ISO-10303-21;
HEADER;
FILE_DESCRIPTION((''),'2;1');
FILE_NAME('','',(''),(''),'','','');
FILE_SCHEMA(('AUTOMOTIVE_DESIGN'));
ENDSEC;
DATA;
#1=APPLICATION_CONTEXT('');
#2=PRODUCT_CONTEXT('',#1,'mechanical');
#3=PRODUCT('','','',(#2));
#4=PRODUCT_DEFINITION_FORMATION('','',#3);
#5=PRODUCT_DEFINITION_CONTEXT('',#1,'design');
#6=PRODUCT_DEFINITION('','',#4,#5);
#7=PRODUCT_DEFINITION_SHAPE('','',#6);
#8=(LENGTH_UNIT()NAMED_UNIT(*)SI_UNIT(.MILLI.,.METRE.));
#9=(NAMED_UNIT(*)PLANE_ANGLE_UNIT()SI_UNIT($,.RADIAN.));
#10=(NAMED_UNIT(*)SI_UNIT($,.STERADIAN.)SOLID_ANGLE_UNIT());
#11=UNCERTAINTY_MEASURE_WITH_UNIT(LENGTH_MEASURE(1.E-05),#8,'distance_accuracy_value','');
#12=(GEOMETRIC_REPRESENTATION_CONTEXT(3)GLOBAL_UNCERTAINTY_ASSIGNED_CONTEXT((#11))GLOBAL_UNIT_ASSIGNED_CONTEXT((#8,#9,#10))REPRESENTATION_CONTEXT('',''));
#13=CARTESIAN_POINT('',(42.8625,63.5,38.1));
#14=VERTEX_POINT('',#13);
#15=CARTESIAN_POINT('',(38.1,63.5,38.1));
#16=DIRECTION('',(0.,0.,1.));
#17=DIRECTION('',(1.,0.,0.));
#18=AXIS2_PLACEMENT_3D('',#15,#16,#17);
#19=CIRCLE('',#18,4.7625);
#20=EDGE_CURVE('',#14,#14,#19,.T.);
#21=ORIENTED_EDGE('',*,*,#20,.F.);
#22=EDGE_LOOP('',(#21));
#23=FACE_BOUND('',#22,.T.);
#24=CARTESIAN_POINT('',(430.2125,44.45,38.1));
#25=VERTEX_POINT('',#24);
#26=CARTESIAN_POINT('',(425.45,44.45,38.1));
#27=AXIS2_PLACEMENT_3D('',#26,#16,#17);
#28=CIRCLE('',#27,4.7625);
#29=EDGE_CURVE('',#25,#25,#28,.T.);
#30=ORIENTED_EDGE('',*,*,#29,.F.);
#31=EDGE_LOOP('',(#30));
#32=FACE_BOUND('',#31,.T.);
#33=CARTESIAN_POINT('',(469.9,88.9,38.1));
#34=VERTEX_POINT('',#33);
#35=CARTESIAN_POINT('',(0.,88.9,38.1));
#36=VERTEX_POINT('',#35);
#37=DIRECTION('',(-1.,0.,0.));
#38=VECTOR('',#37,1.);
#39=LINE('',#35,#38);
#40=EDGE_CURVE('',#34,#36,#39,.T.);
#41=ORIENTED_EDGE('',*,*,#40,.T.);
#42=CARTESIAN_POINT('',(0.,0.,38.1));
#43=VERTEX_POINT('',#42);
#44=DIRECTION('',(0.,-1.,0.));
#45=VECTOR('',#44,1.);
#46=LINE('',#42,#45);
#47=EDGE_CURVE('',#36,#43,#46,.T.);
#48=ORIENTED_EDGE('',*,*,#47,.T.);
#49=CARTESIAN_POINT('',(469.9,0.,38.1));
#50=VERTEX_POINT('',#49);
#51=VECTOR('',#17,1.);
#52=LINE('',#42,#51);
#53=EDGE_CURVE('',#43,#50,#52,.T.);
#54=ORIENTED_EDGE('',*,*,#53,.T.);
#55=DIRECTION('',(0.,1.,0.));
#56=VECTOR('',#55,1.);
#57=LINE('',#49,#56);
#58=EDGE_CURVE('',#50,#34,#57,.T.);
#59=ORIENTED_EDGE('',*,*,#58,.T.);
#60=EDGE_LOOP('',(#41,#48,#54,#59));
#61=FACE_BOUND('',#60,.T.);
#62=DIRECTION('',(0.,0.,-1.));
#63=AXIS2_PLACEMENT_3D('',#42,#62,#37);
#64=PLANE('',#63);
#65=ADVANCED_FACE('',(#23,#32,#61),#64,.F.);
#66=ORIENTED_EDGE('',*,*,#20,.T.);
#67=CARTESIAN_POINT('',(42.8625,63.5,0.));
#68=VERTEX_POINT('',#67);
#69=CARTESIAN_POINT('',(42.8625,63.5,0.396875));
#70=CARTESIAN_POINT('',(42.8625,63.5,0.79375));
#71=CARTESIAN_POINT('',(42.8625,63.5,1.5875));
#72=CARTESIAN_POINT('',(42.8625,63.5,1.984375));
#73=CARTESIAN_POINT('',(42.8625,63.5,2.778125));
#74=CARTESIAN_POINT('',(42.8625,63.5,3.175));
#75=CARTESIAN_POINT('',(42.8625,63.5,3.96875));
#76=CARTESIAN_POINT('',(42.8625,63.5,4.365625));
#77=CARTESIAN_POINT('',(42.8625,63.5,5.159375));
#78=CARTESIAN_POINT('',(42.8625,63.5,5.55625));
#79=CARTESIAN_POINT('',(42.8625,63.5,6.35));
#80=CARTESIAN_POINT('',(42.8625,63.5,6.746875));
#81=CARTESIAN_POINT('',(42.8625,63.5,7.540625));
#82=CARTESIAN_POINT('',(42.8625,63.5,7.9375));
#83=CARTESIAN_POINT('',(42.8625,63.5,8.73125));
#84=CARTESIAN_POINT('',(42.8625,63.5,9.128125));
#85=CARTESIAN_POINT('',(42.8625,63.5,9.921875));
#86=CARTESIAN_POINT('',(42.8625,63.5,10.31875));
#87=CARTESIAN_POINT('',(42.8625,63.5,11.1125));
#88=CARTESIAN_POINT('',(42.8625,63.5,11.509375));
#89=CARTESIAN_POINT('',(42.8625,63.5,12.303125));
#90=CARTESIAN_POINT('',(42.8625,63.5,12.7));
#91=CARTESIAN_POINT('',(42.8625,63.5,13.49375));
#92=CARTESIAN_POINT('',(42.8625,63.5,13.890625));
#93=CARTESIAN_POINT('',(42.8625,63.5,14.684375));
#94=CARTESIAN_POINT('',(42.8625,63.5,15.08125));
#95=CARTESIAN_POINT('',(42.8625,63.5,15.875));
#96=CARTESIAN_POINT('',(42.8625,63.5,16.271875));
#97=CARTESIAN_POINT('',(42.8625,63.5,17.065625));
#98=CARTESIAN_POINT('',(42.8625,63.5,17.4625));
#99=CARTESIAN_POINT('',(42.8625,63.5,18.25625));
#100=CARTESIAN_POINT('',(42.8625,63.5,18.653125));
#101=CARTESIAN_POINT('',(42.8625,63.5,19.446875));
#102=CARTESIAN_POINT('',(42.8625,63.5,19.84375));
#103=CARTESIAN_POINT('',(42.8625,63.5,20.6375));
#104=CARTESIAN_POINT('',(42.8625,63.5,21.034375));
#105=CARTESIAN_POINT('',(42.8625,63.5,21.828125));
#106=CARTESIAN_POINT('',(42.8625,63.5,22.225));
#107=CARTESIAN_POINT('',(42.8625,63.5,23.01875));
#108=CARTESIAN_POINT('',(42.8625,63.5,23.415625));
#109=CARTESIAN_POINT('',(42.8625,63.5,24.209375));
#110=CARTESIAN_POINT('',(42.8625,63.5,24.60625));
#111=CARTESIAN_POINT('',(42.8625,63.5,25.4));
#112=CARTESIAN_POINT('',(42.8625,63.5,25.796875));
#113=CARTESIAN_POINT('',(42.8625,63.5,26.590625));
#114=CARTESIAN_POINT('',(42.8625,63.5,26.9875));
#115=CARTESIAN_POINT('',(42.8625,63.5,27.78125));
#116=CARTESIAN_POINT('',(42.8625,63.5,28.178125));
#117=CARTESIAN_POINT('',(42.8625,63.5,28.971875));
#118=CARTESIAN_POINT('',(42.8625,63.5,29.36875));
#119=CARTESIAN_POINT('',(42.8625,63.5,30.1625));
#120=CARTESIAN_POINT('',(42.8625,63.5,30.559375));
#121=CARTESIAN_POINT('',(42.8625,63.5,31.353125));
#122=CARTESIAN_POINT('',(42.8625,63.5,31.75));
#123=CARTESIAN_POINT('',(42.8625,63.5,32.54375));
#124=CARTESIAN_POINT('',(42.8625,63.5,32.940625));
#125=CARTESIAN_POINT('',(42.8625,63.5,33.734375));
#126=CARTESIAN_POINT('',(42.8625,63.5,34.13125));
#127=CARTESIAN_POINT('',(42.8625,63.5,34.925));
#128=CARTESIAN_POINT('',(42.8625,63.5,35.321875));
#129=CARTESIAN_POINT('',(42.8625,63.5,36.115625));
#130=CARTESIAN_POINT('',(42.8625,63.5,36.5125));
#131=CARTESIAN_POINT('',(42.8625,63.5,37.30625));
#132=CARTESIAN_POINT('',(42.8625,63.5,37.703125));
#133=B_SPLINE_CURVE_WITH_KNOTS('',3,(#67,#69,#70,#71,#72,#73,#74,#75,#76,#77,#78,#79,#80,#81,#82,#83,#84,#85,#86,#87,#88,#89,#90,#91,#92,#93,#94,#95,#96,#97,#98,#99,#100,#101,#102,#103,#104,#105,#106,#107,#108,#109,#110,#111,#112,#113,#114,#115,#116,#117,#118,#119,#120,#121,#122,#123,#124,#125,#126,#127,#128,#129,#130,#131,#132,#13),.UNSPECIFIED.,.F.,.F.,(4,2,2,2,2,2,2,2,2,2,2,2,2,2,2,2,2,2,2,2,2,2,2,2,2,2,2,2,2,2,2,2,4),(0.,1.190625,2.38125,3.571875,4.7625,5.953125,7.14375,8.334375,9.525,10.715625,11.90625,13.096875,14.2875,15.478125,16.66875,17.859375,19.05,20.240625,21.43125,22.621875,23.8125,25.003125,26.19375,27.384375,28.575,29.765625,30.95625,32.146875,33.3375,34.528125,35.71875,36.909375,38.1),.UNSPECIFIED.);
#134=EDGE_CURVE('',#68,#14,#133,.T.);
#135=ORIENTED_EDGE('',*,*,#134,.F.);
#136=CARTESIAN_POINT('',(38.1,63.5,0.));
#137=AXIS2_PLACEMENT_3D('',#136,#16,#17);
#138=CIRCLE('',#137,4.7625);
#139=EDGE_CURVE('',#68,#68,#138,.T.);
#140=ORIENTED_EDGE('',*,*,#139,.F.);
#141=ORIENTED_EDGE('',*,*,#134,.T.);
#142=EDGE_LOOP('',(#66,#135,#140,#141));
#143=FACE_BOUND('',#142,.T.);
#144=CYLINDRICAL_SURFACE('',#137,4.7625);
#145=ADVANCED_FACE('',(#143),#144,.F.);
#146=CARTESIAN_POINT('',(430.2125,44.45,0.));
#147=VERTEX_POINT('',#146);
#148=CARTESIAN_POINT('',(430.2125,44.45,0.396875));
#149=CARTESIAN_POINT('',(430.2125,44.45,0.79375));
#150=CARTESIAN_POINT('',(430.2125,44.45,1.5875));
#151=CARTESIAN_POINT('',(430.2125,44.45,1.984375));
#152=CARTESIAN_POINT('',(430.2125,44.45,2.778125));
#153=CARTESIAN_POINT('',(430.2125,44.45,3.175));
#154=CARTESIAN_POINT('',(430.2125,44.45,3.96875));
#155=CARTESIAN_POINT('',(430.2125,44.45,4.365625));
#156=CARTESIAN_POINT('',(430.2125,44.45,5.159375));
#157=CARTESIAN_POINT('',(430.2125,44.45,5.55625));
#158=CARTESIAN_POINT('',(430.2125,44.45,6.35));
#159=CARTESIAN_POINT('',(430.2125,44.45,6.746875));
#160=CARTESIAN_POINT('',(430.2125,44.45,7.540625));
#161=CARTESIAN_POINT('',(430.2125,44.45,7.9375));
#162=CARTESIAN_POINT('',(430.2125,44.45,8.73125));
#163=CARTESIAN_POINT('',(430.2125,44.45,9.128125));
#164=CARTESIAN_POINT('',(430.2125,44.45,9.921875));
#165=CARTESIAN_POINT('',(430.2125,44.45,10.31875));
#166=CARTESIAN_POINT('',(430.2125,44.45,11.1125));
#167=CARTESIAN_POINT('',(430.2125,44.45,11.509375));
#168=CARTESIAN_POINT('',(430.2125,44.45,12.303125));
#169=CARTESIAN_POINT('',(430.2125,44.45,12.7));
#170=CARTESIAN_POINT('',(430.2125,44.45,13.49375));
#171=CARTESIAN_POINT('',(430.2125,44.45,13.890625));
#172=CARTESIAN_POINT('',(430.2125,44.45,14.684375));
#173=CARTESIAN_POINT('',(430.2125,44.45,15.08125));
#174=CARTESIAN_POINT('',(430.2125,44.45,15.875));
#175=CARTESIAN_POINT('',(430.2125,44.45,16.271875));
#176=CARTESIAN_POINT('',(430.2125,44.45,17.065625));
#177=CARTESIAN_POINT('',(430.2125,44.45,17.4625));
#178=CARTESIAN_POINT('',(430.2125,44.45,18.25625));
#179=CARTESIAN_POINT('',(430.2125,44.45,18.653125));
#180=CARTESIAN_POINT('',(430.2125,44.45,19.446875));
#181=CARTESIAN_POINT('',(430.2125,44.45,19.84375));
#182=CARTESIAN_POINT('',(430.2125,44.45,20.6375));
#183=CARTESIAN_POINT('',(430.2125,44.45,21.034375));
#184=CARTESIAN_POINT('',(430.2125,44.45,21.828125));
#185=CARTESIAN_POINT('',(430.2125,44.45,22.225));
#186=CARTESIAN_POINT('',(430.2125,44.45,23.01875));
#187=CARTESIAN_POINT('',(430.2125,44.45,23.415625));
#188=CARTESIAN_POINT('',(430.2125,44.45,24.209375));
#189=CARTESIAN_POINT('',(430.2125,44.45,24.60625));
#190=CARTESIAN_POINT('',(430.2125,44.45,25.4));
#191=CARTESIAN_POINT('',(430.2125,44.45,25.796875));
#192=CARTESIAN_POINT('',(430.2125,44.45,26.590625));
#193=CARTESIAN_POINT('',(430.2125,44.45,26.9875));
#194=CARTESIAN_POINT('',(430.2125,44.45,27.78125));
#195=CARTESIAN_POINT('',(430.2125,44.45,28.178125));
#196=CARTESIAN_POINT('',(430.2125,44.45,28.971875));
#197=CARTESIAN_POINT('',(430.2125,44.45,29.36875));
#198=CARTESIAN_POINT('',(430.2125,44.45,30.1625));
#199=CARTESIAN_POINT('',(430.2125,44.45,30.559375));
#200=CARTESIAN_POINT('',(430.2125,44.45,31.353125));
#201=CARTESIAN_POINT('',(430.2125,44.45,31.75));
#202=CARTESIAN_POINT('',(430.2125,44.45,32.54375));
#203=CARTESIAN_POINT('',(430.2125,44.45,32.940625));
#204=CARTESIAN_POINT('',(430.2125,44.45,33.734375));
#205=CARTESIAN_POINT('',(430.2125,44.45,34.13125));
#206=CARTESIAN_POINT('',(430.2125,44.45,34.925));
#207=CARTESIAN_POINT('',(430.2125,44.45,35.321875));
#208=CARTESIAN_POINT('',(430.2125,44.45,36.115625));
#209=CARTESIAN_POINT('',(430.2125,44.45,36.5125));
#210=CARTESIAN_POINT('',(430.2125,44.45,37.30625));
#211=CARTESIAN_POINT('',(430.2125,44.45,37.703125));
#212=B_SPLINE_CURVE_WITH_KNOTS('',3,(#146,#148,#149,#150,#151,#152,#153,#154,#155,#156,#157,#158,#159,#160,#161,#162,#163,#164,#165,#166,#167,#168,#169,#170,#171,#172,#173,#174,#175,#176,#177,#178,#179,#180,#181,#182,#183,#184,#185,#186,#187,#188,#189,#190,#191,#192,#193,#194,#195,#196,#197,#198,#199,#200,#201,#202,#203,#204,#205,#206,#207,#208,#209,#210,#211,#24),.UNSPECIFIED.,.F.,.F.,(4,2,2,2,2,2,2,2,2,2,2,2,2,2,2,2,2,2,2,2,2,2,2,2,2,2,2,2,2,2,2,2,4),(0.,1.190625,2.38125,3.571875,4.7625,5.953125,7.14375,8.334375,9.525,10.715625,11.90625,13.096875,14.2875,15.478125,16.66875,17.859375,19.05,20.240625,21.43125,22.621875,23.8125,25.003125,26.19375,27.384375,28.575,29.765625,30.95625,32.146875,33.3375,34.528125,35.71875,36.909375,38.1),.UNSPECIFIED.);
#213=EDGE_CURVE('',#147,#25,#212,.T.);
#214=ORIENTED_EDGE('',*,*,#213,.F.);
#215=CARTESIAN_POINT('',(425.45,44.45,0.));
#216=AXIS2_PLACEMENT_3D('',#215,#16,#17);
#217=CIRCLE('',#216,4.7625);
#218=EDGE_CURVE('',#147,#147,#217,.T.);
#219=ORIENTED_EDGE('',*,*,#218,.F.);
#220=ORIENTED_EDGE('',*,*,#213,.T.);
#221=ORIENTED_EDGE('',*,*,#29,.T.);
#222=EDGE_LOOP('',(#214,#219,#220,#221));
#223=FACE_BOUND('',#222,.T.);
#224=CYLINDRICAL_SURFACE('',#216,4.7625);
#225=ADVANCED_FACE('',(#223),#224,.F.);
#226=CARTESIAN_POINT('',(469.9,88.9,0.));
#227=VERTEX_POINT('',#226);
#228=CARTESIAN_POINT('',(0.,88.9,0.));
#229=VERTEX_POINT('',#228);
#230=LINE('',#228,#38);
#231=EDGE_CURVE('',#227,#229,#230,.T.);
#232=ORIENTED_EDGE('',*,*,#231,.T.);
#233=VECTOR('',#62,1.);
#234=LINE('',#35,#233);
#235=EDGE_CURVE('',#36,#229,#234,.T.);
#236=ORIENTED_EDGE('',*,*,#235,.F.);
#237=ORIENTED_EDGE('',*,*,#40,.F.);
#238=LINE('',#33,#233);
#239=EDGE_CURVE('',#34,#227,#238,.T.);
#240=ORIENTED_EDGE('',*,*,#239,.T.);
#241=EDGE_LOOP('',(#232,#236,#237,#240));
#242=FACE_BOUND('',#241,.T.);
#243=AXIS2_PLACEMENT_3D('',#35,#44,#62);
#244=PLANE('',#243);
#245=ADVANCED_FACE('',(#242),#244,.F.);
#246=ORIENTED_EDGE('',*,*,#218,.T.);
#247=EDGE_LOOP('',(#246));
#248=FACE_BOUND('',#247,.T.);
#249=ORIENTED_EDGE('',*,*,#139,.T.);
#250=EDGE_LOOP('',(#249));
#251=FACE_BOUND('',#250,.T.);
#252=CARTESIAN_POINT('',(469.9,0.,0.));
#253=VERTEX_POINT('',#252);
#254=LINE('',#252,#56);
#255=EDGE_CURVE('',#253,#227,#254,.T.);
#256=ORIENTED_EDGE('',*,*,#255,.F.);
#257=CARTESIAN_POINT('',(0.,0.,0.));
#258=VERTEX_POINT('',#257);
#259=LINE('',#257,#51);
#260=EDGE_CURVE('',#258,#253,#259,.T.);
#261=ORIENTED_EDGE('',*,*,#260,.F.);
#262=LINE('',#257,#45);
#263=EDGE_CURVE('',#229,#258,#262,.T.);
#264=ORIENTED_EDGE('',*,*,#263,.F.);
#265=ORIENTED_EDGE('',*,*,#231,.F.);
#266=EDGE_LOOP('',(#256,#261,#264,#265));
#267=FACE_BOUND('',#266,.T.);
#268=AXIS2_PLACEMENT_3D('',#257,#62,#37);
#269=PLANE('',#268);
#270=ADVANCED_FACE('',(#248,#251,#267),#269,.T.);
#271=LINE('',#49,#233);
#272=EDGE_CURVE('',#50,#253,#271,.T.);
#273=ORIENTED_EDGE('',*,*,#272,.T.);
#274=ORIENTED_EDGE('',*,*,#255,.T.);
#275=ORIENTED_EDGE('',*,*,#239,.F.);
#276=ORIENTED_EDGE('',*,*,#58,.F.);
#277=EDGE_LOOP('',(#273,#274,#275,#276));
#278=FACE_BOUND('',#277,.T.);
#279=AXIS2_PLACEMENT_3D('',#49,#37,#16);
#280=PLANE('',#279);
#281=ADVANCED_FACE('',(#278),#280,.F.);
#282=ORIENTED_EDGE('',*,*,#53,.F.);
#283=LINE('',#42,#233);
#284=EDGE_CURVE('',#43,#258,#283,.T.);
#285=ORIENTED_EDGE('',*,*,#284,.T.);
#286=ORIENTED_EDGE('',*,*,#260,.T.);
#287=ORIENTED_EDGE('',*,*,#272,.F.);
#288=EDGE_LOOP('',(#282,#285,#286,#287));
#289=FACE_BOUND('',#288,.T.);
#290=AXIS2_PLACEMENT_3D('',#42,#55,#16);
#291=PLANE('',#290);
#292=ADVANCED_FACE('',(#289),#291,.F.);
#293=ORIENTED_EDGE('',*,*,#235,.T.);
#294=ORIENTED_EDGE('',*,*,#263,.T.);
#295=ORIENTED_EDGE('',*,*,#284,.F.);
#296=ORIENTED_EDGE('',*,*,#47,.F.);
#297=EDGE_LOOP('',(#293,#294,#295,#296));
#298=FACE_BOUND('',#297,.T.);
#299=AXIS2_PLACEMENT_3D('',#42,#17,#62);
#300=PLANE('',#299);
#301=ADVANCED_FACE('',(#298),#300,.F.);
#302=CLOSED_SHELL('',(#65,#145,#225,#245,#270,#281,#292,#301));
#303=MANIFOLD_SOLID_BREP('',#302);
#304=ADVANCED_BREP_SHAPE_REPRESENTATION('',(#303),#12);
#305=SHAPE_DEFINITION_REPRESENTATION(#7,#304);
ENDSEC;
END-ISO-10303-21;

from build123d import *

# Parameters (mm, degrees)
SKETCH1_W           = 469.9
SKETCH1_H           = 88.9
BOSS_EXTRUDE1_DEPTH = 38.1
SKETCH2_R           = 4.7625
CUT_EXTRUDE1_DEPTH  = 480.750799895
SKETCH3_R           = 4.7625
CUT_EXTRUDE2_DEPTH  = 480.750799895


with BuildPart() as part:
    # Sketch1 → Boss-Extrude1 (new body)
    with BuildSketch(Plane.XY):
        with Locations((234.95, 44.45)):
            Rectangle(SKETCH1_W, SKETCH1_H)
    extrude(amount=BOSS_EXTRUDE1_DEPTH)

    # Sketch2 → Cut-Extrude1 (cut, through all)
    with BuildSketch(Plane.XY.offset(38.1)):
        with Locations((425.45, 44.45)):
            Circle(SKETCH2_R)
    extrude(amount=-CUT_EXTRUDE1_DEPTH, mode=Mode.SUBTRACT)

    # Sketch3 → Cut-Extrude2 (cut, through all)
    with BuildSketch(Plane.XY.offset(38.1)):
        with Locations((38.1, 63.5)):
            Circle(SKETCH3_R)
    extrude(amount=-CUT_EXTRUDE2_DEPTH, mode=Mode.SUBTRACT)


solid = part.part
